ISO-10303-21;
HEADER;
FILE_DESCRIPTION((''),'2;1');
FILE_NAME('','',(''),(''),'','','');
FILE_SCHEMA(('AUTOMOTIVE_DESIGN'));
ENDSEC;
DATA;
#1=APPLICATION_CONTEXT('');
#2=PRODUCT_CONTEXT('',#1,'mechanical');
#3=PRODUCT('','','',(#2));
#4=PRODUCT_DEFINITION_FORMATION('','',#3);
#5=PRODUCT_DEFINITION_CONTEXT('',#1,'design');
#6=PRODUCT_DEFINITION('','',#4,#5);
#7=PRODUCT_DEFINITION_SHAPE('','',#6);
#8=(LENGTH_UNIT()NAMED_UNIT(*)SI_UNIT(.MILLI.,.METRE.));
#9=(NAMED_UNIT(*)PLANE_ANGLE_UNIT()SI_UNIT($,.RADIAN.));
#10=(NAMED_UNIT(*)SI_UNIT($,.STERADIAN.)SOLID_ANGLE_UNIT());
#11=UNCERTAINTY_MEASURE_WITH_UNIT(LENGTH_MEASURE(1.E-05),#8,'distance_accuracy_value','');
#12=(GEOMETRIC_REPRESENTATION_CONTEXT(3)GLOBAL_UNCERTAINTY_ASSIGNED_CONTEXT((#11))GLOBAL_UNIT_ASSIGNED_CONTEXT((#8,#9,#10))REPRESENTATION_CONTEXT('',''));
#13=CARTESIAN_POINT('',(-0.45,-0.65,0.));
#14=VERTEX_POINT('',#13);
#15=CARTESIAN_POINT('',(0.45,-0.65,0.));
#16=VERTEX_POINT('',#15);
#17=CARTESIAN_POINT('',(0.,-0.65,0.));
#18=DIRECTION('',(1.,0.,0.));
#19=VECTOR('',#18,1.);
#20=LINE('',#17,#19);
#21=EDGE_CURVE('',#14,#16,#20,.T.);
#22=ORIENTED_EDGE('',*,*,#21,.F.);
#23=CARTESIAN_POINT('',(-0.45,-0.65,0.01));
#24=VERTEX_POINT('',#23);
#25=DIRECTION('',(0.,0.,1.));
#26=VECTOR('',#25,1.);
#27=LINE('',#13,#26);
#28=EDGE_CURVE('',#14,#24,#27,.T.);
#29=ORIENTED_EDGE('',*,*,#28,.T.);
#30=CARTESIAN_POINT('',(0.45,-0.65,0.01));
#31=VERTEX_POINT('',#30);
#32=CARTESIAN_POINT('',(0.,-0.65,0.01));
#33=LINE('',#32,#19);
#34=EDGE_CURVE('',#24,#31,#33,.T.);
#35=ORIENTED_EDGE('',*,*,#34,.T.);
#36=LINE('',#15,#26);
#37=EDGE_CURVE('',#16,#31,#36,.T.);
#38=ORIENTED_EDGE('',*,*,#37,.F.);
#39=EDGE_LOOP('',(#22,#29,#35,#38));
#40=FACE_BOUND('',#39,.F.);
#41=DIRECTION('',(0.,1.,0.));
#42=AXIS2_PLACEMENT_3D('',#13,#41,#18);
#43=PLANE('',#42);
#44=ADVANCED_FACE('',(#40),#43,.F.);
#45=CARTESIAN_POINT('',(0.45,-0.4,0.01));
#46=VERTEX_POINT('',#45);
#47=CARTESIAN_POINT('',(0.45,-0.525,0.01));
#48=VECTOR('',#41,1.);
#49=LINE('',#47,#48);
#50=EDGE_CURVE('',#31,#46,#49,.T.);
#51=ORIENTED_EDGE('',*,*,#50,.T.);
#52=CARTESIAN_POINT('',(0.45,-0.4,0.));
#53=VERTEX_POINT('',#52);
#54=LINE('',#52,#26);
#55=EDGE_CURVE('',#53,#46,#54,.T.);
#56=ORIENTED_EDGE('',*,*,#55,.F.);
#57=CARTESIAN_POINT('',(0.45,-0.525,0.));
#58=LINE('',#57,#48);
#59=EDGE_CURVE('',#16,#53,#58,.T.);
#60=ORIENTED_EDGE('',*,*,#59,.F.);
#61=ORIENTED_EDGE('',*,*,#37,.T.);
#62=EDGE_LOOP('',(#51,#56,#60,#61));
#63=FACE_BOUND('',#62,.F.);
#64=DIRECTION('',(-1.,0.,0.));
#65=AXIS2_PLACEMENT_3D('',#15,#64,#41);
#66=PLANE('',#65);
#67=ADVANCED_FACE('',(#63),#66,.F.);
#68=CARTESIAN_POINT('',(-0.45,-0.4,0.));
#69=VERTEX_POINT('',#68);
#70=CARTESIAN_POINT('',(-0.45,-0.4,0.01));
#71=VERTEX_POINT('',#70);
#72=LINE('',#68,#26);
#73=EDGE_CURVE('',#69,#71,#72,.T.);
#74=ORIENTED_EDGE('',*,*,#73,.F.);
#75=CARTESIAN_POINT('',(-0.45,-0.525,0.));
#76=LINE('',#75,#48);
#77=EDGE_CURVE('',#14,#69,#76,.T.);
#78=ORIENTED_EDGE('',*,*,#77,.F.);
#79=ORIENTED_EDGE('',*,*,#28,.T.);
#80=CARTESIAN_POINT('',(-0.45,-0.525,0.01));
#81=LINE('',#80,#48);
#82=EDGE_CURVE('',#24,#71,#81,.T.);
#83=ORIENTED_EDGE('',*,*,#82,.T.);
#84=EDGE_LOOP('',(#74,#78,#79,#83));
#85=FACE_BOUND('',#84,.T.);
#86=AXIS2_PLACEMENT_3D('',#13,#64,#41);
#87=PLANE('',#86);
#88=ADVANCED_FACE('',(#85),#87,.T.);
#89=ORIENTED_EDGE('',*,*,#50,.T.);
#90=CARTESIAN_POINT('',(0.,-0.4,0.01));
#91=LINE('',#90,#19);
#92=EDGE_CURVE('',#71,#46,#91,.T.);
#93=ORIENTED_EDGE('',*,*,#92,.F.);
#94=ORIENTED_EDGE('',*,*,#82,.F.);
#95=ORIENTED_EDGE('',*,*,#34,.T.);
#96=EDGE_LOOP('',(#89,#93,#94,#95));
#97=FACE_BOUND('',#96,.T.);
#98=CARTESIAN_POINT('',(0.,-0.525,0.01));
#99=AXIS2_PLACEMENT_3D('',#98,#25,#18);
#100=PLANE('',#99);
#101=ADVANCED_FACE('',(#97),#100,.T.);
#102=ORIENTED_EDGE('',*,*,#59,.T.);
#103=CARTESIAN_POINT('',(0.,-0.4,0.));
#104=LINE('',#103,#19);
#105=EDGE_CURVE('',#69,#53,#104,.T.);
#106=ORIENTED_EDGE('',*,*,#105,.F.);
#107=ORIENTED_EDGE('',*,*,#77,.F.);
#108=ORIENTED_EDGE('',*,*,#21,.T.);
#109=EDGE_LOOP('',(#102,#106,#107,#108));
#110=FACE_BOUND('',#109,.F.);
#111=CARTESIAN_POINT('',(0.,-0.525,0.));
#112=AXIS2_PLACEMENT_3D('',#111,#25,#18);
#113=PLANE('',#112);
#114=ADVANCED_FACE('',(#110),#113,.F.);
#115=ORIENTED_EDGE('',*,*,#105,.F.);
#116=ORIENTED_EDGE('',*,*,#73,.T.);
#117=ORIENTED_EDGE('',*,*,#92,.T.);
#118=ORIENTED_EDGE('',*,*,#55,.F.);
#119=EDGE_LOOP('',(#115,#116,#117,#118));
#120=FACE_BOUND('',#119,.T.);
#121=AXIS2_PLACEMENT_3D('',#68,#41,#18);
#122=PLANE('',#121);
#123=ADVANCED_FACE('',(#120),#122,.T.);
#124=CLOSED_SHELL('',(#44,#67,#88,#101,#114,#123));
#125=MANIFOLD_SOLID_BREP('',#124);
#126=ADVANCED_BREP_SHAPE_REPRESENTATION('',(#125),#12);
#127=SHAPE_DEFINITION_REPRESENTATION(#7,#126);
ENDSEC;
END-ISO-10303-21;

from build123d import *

# Parameters (mm, degrees)
SKETCH_W  = 0.9
SKETCH_H  = 0.25
PAD_DEPTH = 0.01


with BuildPart() as part:
    # Sketch → Pad (new body)
    with BuildSketch(Plane.XY):
        with Locations((0, -0.525)):
            Rectangle(SKETCH_W, SKETCH_H)
    extrude(amount=PAD_DEPTH)


solid = part.part
